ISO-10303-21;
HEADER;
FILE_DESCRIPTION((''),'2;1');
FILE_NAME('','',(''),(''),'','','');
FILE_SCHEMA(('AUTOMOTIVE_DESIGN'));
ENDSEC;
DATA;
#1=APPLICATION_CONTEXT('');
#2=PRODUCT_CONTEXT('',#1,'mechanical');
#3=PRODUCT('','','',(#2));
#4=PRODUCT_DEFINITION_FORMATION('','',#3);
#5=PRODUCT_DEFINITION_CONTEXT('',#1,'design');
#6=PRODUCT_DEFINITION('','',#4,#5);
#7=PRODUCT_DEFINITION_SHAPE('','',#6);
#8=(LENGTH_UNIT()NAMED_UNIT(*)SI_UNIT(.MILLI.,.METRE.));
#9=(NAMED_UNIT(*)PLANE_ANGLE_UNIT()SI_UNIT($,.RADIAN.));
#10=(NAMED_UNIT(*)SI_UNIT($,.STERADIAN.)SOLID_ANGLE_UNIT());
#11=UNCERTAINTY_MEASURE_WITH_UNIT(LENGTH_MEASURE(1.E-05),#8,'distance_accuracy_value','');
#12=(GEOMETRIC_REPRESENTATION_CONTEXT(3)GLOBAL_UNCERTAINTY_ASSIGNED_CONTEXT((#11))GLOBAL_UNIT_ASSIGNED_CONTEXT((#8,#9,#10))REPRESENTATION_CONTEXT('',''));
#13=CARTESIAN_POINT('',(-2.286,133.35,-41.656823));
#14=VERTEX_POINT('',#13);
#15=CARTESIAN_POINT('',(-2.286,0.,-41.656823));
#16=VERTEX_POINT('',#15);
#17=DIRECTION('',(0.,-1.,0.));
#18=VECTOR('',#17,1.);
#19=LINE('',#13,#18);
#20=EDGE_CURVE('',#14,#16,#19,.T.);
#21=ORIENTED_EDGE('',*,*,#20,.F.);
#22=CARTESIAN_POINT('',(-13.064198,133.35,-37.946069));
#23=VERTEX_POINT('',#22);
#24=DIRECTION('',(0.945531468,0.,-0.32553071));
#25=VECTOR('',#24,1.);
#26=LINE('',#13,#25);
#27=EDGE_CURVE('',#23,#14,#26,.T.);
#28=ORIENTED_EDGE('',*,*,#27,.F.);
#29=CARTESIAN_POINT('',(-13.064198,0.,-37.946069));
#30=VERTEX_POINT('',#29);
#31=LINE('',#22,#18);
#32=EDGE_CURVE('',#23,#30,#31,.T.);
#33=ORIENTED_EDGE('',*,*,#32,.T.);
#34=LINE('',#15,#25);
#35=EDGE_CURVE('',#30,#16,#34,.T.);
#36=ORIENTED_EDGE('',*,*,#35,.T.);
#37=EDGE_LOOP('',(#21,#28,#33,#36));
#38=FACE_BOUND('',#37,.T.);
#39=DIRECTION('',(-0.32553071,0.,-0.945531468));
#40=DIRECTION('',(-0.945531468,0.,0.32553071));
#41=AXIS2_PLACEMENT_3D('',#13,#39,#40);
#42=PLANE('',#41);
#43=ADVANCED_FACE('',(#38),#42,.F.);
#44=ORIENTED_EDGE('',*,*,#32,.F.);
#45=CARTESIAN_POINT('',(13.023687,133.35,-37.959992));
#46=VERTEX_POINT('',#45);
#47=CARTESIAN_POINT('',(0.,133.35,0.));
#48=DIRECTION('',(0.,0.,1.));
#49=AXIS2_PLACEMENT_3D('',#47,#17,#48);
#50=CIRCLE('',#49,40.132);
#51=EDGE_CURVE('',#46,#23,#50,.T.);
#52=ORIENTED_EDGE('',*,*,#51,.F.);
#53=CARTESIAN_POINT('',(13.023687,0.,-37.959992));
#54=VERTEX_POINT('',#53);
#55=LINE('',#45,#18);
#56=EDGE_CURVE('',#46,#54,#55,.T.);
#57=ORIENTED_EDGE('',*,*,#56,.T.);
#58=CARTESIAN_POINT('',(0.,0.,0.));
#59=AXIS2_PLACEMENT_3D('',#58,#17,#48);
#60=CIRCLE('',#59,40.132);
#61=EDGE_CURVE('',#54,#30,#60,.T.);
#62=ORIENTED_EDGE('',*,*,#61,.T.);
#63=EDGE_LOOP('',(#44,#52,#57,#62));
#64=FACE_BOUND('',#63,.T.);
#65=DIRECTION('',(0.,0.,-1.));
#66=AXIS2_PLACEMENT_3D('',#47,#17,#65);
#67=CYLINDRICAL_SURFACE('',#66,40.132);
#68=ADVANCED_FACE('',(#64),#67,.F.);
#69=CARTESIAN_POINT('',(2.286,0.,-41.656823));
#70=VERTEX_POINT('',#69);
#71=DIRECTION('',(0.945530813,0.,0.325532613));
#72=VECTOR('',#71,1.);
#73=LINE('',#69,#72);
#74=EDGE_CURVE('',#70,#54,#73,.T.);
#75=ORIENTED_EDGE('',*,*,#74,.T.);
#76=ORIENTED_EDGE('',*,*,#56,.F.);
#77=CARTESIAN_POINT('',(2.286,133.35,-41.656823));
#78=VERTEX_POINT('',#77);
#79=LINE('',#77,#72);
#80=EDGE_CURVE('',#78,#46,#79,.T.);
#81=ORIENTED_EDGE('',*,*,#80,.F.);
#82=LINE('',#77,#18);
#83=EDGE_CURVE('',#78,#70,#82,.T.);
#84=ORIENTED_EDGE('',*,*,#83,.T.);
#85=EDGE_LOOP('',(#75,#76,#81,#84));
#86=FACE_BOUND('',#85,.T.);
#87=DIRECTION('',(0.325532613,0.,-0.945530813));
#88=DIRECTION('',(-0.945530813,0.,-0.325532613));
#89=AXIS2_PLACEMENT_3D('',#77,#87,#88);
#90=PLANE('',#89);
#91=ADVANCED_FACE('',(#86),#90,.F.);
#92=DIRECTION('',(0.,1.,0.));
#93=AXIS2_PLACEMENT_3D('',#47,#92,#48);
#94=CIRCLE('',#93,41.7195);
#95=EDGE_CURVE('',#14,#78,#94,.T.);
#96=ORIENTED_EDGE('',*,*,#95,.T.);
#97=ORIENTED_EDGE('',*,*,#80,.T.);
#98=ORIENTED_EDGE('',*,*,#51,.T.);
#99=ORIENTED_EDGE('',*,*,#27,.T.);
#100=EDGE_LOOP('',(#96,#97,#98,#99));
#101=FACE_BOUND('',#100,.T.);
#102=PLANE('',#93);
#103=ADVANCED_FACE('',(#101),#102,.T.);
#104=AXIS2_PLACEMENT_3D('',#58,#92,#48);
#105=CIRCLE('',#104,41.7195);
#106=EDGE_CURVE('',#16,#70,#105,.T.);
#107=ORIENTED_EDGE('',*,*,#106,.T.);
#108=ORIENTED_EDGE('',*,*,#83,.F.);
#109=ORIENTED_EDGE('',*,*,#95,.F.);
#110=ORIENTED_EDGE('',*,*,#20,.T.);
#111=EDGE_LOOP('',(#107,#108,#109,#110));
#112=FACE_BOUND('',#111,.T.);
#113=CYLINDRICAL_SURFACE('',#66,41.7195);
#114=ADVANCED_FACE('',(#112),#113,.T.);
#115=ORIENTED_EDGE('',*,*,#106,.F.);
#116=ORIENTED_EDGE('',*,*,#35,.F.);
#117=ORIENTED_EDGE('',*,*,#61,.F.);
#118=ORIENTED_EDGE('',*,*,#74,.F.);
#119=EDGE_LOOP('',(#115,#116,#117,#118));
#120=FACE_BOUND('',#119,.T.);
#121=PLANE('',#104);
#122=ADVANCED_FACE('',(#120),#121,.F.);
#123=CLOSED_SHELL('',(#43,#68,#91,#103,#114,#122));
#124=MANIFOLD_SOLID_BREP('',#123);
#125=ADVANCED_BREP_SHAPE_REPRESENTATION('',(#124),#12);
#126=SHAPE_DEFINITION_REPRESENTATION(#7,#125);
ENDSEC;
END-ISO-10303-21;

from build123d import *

# Parameters (mm, degrees)
BOSS_EXTRUDE1_DEPTH = 133.35


with BuildPart() as part:
    # Sketch1 → Boss-Extrude1 (new body)
    with BuildSketch(Plane(origin=(0, 0, 0), x_dir=(1, 0, 0), z_dir=(0, 1, 0))):
        with BuildLine():
            Line((-2.286, 41.656822782), (-13.064198444, 37.946068874))
            ThreePointArc((-13.064198444, 37.946068874), (0.021418672, -40.131994284), (13.02368695, 37.959992126))
            Line((13.02368695, 37.959992126), (2.286, 41.656822782))
            ThreePointArc((2.286, 41.656822782), (0, -41.7195), (-2.286, 41.656822782))
        make_face()
    extrude(amount=BOSS_EXTRUDE1_DEPTH)


solid = part.part
